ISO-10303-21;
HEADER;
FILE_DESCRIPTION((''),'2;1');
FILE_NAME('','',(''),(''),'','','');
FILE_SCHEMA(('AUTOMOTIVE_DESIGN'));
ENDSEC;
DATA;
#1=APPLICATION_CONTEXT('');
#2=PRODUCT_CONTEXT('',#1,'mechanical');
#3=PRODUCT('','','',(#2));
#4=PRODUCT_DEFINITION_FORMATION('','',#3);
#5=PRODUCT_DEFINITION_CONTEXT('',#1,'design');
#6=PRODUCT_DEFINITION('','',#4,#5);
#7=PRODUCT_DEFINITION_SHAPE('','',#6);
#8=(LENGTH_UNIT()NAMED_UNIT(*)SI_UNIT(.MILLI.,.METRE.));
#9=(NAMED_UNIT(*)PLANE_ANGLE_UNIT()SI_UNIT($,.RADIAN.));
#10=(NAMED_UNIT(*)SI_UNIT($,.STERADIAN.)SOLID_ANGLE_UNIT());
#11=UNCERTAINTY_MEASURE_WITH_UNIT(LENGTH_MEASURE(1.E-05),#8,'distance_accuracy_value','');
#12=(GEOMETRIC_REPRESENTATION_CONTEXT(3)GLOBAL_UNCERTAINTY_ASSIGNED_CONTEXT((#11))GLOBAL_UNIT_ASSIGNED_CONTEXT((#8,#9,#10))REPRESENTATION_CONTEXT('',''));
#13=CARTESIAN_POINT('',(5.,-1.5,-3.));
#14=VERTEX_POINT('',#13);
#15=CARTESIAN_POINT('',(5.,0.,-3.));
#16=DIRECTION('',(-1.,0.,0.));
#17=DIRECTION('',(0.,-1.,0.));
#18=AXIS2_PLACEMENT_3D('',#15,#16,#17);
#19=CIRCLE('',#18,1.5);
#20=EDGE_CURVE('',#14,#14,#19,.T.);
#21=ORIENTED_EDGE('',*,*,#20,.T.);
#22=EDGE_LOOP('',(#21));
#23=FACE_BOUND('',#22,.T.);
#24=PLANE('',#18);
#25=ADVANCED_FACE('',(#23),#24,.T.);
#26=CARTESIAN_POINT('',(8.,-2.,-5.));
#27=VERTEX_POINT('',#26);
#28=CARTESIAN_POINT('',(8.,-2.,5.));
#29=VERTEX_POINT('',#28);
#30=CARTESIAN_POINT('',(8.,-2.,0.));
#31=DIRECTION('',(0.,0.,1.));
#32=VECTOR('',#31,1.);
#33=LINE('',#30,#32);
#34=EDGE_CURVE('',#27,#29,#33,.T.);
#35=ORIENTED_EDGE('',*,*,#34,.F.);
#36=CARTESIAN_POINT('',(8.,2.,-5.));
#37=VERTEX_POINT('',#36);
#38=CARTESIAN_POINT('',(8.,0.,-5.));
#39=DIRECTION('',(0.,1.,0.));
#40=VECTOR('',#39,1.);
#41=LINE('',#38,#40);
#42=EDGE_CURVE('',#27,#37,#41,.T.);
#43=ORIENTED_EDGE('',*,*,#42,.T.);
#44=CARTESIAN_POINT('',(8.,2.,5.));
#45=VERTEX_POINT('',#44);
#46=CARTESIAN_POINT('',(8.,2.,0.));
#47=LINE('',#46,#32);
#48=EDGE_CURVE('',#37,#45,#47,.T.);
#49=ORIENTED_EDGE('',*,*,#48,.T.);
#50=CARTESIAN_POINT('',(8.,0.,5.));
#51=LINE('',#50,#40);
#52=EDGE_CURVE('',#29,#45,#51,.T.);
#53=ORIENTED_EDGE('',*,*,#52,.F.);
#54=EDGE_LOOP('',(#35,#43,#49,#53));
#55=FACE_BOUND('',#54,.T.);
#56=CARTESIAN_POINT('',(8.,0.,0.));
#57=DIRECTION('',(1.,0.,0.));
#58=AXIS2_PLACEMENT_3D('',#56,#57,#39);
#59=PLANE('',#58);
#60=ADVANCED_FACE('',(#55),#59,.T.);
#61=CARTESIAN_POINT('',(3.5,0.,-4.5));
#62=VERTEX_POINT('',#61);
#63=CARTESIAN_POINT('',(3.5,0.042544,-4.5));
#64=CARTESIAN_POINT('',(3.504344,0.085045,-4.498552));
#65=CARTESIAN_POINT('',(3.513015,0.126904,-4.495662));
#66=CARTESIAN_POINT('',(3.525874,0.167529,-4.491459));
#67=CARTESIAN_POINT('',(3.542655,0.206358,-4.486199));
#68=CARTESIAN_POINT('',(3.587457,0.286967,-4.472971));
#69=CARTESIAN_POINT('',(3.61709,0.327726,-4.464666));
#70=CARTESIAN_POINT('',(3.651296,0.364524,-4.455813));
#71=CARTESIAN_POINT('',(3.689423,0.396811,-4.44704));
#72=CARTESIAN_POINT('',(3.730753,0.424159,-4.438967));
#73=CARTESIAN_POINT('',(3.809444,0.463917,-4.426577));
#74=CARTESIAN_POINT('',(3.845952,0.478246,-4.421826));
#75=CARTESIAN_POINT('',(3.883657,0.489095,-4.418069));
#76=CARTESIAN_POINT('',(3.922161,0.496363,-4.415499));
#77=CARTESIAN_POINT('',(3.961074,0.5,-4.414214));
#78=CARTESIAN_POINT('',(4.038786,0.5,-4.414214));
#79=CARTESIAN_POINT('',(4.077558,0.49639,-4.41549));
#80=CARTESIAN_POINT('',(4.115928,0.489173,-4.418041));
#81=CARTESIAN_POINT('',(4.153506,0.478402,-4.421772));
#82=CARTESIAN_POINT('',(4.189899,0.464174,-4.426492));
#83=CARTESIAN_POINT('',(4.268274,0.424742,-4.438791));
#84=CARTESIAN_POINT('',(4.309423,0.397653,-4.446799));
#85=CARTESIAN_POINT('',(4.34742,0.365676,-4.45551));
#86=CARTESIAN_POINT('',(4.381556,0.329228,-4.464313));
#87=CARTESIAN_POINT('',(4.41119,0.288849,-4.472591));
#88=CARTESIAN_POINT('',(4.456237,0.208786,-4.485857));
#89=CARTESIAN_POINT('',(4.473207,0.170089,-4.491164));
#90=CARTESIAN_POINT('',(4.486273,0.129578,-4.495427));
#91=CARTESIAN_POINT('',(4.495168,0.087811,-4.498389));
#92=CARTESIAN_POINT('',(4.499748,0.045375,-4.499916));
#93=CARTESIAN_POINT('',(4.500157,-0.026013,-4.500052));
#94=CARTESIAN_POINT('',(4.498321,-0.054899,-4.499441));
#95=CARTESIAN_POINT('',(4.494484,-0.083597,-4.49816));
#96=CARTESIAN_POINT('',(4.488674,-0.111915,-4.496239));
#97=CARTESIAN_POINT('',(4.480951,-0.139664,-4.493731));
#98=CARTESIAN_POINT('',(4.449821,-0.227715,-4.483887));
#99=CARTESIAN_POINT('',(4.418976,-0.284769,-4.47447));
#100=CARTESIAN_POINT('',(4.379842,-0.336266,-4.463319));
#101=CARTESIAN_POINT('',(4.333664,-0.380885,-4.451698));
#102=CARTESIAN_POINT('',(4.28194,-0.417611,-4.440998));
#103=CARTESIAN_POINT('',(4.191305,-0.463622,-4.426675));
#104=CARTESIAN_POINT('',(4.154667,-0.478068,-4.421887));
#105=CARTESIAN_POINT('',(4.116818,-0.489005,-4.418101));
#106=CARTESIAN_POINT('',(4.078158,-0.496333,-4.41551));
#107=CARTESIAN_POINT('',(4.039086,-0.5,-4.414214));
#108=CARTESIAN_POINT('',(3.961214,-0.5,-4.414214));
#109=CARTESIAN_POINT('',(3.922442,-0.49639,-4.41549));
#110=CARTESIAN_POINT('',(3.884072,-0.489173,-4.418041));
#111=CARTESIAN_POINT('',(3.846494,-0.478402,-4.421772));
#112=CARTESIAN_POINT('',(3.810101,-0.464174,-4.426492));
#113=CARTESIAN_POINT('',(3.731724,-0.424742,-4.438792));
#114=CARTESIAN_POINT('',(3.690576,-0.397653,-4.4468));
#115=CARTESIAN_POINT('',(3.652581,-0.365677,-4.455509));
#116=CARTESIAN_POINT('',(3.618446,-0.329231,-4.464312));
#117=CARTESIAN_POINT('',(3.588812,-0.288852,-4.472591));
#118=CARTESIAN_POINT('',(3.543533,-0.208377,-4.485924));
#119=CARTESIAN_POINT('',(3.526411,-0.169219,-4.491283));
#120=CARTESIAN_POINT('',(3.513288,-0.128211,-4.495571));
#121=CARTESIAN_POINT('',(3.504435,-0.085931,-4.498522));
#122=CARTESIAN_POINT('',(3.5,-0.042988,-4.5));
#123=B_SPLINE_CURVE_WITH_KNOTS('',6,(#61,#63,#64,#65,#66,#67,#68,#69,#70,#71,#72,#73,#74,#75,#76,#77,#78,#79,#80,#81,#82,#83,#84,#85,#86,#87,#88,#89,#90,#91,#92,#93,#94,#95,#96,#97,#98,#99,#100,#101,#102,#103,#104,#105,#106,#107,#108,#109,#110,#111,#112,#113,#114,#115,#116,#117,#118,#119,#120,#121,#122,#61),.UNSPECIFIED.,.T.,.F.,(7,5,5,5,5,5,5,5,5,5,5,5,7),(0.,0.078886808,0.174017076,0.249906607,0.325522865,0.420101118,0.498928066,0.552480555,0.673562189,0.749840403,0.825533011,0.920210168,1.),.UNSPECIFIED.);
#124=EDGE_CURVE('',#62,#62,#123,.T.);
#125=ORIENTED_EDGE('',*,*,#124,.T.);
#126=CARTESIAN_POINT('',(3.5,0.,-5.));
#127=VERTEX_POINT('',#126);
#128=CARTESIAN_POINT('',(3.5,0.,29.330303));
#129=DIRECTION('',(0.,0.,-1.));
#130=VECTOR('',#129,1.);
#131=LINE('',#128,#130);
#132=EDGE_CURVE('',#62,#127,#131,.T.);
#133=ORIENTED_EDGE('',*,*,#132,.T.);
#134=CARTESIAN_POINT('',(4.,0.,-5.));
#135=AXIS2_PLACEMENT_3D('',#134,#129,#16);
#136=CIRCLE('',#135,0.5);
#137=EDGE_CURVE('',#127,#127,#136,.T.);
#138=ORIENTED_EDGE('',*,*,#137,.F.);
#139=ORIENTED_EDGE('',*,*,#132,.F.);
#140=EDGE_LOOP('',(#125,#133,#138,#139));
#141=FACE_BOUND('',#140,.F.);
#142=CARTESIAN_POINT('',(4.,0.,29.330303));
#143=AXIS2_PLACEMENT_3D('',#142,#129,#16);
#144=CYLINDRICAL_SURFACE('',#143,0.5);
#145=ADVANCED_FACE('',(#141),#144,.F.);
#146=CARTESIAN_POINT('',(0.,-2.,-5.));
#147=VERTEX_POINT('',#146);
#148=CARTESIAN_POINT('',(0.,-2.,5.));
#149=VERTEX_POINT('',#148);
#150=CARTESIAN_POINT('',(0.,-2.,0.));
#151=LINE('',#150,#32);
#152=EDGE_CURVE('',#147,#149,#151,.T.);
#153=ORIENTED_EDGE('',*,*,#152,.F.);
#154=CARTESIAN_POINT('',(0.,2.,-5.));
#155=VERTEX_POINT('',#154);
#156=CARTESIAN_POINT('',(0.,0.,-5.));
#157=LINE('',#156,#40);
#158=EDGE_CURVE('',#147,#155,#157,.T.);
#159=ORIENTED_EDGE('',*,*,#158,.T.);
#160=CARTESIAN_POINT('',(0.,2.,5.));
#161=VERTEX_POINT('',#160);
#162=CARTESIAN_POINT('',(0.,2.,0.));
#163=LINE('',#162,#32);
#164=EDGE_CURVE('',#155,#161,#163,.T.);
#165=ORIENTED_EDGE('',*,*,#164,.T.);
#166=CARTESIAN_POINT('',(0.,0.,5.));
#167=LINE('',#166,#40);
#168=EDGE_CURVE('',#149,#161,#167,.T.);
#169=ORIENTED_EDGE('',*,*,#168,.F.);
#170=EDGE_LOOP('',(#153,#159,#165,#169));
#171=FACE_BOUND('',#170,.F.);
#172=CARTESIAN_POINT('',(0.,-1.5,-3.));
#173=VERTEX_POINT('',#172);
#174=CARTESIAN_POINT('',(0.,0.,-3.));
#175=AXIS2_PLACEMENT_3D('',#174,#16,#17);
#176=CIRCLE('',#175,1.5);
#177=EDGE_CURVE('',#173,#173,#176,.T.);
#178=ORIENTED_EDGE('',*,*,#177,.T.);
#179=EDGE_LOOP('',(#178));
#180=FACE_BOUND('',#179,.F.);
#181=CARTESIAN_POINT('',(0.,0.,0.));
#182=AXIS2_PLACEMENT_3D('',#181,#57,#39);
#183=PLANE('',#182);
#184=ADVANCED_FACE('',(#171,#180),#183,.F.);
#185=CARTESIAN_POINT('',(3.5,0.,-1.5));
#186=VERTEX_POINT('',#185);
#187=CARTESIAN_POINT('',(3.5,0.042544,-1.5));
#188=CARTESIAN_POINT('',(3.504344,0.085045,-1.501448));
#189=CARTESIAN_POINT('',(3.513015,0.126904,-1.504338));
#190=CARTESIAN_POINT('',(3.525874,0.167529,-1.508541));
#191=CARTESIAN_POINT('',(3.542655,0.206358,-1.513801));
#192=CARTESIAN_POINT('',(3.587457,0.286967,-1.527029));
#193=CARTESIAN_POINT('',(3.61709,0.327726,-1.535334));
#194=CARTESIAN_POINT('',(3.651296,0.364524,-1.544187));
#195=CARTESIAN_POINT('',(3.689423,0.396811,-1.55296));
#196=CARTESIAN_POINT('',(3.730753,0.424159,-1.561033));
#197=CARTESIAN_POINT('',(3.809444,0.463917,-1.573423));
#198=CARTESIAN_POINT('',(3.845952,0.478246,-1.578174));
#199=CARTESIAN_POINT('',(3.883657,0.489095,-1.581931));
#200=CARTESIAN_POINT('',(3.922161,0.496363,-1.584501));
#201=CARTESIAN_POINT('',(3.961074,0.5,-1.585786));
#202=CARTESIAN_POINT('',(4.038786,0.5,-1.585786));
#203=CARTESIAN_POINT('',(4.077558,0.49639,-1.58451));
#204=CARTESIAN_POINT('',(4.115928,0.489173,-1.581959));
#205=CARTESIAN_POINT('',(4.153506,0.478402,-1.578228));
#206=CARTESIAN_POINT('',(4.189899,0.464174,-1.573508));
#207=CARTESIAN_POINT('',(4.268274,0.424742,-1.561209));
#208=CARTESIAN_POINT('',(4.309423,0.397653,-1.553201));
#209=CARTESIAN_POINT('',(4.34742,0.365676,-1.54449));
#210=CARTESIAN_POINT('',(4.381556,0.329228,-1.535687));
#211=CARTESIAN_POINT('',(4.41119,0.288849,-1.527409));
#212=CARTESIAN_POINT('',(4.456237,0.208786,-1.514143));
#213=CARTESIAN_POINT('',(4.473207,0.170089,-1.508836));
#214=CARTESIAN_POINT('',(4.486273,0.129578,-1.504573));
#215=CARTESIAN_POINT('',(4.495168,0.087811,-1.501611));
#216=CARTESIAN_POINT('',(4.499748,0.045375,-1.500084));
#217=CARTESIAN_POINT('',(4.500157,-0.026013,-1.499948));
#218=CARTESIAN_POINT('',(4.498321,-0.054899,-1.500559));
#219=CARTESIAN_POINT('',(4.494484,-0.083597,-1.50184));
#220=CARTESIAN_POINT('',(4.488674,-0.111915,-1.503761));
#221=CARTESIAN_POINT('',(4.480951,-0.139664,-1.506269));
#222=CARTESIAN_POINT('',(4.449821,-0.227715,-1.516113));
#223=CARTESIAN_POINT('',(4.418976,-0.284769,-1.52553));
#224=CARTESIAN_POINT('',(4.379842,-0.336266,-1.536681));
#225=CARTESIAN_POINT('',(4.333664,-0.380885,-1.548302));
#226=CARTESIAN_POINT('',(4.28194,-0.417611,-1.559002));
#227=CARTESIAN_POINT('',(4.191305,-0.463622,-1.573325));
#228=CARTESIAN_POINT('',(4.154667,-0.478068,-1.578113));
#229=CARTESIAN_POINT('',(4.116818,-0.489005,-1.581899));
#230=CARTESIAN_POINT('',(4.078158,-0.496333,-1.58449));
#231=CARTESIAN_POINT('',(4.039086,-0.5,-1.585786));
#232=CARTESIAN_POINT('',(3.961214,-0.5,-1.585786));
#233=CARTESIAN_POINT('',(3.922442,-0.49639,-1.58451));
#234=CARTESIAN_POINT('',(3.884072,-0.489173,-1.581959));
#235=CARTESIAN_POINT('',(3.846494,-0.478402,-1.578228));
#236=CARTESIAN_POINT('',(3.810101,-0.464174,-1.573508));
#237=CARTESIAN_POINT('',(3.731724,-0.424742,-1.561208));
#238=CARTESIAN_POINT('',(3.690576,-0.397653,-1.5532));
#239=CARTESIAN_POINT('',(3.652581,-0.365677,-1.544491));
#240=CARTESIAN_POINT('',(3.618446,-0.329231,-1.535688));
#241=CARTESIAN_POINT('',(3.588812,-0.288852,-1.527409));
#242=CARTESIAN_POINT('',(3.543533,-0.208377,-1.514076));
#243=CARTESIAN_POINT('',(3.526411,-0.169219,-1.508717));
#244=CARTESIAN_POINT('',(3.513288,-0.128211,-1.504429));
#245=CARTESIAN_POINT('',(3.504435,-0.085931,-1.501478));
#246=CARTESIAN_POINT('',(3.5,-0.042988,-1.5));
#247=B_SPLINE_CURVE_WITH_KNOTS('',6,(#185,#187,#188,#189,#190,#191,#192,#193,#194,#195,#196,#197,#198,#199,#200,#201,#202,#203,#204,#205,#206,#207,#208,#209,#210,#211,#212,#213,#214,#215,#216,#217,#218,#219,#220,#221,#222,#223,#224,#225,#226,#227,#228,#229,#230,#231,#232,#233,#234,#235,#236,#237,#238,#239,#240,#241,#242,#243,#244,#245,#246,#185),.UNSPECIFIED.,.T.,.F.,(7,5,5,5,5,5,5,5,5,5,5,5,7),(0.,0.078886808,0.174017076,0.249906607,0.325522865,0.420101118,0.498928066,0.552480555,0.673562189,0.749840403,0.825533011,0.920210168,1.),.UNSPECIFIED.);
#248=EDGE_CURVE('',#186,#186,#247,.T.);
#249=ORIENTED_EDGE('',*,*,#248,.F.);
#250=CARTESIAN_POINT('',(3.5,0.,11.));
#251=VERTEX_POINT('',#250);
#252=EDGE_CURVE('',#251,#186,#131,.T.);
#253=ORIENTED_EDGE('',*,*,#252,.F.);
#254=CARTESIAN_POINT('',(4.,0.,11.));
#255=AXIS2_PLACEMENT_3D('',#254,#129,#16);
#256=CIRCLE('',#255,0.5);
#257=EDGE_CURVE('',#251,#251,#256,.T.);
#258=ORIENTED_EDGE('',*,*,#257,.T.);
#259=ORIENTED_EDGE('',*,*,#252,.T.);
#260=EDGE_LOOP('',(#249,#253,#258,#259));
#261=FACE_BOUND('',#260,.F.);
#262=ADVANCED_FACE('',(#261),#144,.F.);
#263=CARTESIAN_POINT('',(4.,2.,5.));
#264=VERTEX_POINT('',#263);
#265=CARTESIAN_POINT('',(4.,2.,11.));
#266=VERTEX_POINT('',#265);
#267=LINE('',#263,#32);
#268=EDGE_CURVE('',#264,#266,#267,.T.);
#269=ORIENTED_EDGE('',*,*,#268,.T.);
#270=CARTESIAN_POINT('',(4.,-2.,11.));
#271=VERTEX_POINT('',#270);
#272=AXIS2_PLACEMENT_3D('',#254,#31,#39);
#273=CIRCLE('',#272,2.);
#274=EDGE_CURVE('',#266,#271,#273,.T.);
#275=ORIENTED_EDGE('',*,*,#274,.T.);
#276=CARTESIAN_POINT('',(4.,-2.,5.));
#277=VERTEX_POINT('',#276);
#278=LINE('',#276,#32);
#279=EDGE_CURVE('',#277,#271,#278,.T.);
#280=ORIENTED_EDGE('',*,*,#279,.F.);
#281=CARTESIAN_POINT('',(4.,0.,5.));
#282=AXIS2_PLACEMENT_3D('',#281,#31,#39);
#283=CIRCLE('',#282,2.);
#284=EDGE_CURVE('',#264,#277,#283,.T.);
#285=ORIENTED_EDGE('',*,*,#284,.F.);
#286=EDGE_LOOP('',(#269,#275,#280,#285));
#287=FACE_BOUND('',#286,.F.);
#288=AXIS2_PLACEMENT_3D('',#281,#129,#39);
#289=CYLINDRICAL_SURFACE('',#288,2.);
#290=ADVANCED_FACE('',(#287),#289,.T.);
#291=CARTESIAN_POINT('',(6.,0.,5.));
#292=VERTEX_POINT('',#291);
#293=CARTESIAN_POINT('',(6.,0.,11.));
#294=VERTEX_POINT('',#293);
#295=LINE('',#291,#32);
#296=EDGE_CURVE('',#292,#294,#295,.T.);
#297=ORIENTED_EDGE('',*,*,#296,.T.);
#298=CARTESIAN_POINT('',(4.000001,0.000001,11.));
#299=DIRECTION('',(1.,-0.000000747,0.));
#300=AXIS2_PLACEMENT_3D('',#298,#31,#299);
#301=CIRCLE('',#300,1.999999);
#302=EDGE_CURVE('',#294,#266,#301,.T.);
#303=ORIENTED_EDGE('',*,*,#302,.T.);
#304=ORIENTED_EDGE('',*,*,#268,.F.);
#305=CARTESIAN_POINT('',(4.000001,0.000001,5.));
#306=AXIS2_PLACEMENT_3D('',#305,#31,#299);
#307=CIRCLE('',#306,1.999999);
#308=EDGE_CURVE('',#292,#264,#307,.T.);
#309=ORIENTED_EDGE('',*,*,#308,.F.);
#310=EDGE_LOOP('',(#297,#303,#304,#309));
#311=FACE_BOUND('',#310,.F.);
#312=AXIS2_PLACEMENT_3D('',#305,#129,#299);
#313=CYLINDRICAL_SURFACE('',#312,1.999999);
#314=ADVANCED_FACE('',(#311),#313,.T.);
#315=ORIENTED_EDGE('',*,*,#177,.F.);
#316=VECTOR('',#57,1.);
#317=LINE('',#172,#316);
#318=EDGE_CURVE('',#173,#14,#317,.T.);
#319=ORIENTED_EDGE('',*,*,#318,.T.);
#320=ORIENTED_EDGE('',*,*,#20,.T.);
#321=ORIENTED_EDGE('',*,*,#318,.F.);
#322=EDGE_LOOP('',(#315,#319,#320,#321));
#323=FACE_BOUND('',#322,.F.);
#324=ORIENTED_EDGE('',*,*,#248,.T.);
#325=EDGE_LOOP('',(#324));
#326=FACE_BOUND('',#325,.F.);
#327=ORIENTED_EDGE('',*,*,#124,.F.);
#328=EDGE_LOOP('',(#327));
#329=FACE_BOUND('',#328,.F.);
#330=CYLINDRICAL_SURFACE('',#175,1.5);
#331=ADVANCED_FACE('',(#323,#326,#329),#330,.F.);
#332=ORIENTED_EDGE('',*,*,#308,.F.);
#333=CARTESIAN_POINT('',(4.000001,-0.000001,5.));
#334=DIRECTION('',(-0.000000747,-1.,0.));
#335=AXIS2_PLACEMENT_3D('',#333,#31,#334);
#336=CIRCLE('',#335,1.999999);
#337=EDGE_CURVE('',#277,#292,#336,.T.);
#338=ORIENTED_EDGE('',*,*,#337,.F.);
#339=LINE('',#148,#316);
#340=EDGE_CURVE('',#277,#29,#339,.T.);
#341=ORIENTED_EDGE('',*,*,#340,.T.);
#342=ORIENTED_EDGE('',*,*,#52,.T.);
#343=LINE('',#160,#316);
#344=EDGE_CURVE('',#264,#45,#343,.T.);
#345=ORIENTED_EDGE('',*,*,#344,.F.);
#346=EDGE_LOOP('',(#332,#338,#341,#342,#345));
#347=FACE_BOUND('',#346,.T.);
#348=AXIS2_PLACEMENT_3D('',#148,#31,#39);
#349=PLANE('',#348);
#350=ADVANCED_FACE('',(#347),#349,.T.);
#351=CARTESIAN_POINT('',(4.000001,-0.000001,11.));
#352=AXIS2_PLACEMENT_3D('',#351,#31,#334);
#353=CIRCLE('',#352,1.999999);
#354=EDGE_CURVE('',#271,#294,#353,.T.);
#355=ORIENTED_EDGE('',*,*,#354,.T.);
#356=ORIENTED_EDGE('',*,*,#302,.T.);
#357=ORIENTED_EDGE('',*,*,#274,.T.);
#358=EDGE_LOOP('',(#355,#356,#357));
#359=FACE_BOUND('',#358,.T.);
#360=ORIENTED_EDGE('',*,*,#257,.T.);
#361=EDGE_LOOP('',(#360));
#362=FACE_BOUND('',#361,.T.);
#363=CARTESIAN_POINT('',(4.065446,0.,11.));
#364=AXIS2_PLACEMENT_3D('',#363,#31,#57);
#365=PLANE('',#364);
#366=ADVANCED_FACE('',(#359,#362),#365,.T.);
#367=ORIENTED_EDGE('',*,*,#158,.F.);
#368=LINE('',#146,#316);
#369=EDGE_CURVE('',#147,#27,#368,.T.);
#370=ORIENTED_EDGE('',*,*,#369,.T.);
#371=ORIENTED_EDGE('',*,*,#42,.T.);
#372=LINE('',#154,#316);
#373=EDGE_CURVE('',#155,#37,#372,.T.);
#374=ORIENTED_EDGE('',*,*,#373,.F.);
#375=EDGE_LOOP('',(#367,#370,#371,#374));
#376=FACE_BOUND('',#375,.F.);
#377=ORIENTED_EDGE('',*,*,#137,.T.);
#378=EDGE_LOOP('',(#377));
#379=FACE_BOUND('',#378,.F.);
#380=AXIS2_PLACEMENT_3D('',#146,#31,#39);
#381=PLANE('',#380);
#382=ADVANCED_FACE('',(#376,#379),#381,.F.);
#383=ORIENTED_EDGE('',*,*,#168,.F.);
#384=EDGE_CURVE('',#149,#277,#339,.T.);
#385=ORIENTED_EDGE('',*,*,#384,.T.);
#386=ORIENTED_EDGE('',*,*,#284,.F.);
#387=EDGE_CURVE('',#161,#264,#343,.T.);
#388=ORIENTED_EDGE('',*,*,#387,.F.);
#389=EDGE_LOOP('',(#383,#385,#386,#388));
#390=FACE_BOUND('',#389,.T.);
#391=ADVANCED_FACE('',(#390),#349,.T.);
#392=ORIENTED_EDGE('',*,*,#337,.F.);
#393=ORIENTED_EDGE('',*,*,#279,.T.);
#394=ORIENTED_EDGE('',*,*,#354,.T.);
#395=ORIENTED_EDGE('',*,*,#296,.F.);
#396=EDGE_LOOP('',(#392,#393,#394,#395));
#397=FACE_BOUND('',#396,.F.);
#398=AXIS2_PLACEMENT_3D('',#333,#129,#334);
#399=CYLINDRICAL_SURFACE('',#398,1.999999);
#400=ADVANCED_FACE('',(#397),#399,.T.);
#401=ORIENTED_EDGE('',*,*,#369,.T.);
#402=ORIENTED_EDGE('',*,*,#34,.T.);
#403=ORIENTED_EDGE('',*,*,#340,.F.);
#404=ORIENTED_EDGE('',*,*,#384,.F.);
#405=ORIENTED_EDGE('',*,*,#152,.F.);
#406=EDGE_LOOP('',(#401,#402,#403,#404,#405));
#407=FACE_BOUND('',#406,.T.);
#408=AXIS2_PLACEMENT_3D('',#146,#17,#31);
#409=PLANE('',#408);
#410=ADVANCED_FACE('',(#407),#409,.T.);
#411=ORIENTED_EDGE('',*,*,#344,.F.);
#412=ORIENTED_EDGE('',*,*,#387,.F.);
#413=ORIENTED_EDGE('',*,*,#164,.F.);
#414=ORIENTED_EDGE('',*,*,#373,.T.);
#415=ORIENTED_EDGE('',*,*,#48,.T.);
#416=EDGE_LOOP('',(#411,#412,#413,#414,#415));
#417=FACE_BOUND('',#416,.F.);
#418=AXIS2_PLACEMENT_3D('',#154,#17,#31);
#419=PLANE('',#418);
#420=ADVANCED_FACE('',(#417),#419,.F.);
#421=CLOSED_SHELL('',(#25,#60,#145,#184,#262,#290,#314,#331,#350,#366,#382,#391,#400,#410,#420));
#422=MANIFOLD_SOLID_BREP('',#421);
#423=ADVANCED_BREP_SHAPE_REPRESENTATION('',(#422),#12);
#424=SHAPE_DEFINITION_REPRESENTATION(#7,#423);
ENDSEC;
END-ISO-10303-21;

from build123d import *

# Parameters (mm, degrees)
F0_W     = 4
F0_H     = 10
F1_DEPTH = 8
F2_R     = 1.5
F3_DEPTH = 5
F5_DEPTH = 6
F7_D     = 1


with BuildPart() as f1:
    # F0 (on Right) → F1 (new body)
    with BuildSketch(Plane.YZ):
        Rectangle(F0_W, F0_H)
    extrude(amount=F1_DEPTH)

    # F2 (on face) → F3 (cut)
    with BuildSketch(Plane(origin=(0, 0, 0), x_dir=(0, -1, 0), z_dir=(-1, 0, 0))):
        with Locations((0, -3)):
            Circle(F2_R)
    extrude(amount=-F3_DEPTH, mode=Mode.SUBTRACT)

    # F4 (on face) → F5 (join)
    with BuildSketch(Plane.XY.offset(5)):
        with BuildLine():
            ThreePointArc((4, -2), (5.414214, -1.414214), (6, 0))
            ThreePointArc((6, 0), (5.414214, 1.414214), (4, 2))
            ThreePointArc((4, 2), (2, 0), (4, -2))
        make_face()
    extrude(amount=F5_DEPTH)

    # F7 (through all)
    with Locations(Plane.XY.offset(11)):
        with Locations((4, 0)):
            Hole(F7_D / 2)


solid = f1.part
